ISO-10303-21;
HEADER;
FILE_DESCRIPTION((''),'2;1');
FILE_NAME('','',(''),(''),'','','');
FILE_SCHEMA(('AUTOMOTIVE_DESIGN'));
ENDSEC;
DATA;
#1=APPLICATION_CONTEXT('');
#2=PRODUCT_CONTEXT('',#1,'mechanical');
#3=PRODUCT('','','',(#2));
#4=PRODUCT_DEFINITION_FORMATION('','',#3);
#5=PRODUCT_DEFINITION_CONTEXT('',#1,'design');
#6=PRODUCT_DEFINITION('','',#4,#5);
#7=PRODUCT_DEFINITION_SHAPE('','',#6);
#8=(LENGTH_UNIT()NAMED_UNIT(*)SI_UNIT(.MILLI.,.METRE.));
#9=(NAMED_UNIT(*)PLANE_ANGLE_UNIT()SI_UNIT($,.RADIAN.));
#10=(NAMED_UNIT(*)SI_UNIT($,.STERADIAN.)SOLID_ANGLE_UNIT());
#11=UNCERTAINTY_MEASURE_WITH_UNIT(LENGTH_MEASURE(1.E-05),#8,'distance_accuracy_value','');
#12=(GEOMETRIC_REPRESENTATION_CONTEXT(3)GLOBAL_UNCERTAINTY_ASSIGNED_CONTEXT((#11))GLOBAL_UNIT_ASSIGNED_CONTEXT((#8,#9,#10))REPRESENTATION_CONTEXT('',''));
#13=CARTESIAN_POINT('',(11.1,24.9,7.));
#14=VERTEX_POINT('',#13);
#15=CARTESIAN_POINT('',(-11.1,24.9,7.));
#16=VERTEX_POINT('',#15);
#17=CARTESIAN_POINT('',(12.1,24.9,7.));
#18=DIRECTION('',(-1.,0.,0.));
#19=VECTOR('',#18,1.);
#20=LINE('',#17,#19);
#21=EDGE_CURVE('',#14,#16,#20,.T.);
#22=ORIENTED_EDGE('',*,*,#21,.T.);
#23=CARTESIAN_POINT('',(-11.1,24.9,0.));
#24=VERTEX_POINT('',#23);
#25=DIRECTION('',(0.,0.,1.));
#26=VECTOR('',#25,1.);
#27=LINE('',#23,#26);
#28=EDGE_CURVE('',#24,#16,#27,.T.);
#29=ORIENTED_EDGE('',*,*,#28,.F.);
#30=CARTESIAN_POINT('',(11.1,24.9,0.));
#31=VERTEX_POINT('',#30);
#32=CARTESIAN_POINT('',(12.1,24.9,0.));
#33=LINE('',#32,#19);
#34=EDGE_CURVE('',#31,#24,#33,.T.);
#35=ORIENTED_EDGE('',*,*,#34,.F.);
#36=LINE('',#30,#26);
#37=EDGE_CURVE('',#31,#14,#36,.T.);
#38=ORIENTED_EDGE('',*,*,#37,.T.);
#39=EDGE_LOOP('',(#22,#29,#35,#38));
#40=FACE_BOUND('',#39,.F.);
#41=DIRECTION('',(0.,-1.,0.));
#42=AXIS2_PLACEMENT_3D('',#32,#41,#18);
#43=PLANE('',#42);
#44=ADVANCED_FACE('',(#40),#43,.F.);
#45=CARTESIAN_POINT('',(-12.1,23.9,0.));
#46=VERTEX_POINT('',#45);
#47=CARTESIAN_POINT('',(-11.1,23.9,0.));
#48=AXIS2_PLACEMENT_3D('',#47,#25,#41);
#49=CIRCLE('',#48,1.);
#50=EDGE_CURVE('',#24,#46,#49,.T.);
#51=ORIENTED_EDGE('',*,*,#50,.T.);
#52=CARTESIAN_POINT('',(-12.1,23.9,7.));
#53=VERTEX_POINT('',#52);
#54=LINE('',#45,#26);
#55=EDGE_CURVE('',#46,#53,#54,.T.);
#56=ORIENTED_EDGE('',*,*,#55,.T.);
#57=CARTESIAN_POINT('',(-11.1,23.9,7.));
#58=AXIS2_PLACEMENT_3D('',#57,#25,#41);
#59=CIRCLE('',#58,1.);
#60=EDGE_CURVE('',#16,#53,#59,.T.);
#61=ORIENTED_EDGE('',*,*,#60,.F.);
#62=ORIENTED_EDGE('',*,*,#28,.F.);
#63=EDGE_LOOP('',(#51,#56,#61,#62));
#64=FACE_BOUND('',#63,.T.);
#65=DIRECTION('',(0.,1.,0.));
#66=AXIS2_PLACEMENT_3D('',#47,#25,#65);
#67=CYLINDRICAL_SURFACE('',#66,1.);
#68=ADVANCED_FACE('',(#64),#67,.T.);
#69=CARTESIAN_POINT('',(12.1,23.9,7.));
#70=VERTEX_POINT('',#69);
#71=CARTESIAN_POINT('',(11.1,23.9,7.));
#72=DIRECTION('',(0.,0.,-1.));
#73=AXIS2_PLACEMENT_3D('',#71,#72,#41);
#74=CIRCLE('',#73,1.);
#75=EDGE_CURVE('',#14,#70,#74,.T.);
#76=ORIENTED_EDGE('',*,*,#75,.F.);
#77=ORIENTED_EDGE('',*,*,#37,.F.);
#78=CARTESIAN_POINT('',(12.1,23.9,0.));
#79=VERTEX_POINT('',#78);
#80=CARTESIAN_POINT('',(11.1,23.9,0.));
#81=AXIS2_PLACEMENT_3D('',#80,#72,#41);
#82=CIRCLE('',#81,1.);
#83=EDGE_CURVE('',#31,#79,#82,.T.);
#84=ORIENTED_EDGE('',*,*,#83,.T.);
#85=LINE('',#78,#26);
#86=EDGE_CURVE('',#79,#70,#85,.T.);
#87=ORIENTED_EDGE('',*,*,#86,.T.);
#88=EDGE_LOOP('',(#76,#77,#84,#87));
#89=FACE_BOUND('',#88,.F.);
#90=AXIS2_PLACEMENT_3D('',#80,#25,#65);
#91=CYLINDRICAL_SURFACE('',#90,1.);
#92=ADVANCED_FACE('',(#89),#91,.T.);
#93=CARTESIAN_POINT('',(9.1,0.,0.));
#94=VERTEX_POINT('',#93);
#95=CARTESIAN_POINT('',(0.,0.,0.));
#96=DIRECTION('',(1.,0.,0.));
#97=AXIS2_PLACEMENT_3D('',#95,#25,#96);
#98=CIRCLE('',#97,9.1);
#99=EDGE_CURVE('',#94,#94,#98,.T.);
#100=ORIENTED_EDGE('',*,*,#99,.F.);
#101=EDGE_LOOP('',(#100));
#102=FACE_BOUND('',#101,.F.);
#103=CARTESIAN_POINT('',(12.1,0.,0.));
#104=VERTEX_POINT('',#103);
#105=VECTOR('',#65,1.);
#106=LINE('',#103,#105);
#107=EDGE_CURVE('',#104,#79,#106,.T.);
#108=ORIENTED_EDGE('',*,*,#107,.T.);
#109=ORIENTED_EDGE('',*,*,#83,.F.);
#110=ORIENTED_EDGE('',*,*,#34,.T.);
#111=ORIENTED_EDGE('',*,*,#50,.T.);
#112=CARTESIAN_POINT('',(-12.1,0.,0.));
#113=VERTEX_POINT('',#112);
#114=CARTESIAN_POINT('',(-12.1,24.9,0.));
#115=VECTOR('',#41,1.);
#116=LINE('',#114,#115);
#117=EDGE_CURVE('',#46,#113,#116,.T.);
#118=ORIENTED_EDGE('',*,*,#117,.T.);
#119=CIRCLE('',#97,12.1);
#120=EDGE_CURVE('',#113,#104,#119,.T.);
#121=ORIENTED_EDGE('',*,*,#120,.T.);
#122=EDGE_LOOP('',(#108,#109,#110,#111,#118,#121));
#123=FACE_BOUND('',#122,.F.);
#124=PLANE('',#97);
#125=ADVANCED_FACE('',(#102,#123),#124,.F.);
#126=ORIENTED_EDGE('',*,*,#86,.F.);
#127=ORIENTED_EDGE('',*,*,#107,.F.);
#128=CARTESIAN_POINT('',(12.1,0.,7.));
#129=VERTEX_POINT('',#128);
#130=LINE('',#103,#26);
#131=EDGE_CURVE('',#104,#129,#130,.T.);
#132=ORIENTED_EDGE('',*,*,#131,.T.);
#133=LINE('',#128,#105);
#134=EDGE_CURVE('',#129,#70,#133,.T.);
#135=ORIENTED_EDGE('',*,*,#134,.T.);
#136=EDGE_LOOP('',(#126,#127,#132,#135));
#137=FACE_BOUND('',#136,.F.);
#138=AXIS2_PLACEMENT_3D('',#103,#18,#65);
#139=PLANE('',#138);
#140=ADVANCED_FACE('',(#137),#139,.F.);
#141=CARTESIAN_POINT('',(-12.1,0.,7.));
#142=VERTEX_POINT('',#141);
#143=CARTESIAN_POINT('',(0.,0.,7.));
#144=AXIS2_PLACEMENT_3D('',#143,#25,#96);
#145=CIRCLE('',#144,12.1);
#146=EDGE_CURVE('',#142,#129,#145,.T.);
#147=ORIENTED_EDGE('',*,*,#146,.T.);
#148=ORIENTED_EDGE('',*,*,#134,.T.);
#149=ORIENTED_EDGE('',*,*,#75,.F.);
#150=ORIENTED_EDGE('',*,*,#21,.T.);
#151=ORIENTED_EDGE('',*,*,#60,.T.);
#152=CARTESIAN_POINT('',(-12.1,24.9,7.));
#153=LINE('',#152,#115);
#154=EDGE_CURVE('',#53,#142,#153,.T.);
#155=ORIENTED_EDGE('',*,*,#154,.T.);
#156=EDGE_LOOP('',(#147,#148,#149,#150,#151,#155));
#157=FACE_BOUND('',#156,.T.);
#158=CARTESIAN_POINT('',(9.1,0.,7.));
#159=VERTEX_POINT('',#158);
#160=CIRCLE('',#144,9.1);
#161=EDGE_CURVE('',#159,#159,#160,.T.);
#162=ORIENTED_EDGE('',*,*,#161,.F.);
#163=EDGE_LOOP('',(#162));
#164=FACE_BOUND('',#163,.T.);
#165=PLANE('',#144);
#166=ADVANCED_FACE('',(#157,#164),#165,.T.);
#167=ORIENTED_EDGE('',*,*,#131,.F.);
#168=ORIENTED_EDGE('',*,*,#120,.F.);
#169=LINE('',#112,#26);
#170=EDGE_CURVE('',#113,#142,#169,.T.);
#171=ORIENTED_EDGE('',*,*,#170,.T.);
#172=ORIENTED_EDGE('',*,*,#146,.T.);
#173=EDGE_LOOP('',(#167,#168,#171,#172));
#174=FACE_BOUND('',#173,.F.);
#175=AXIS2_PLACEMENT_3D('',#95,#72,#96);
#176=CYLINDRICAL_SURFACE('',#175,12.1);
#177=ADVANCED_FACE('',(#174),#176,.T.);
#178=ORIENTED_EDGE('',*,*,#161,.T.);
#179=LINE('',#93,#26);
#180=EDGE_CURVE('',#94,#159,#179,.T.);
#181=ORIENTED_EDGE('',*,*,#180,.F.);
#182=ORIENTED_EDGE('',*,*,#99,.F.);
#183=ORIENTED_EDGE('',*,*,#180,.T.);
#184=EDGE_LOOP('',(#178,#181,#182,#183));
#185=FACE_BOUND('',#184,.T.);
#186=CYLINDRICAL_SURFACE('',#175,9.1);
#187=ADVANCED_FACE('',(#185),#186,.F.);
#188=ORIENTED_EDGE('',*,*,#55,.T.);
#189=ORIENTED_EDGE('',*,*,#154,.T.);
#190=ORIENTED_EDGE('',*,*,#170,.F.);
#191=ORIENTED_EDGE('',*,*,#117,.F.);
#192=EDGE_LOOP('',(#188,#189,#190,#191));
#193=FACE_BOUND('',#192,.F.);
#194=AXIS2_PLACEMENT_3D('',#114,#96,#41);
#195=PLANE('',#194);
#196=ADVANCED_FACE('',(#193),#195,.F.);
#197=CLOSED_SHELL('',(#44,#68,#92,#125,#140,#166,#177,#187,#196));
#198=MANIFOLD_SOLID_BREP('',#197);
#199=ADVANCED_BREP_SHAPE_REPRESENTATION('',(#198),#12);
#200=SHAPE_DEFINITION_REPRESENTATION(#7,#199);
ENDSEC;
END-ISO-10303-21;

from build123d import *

# Parameters (mm, degrees)
F0_R     = 9.1
F1_DEPTH = 7
F2_R     = 1
F3_R     = 1


with BuildPart() as f1:
    # F0 (on Top) → F1 (new body)
    with BuildSketch(Plane.XY):
        with BuildLine():
            ThreePointArc((-12.1, 0), (0, -12.1), (12.1, 0))
            ThreePointArc((12.1, 0), (0, 12.1), (-12.1, 0))
        make_face()
        Circle(F0_R, mode=Mode.SUBTRACT)
        with BuildLine():
            ThreePointArc((-12.1, 0), (0, 12.1), (12.1, 0))
            Line((12.1, 0), (12.1, 24.9))
            Line((12.1, 24.9), (-12.1, 24.9))
            Line((-12.1, 24.9), (-12.1, 0))
        make_face()
    extrude(amount=F1_DEPTH)

    # F2
    f2_edges = [f1.edges().sort_by_distance(p)[0] for p in [
        (-12.1, 24.9, 3.5),
    ]]
    fillet(f2_edges, radius=F2_R)

    # F3
    f3_edges = [f1.edges().sort_by_distance(p)[0] for p in [
        (12.1, 24.9, 3.5),
    ]]
    fillet(f3_edges, radius=F3_R)


solid = f1.part
